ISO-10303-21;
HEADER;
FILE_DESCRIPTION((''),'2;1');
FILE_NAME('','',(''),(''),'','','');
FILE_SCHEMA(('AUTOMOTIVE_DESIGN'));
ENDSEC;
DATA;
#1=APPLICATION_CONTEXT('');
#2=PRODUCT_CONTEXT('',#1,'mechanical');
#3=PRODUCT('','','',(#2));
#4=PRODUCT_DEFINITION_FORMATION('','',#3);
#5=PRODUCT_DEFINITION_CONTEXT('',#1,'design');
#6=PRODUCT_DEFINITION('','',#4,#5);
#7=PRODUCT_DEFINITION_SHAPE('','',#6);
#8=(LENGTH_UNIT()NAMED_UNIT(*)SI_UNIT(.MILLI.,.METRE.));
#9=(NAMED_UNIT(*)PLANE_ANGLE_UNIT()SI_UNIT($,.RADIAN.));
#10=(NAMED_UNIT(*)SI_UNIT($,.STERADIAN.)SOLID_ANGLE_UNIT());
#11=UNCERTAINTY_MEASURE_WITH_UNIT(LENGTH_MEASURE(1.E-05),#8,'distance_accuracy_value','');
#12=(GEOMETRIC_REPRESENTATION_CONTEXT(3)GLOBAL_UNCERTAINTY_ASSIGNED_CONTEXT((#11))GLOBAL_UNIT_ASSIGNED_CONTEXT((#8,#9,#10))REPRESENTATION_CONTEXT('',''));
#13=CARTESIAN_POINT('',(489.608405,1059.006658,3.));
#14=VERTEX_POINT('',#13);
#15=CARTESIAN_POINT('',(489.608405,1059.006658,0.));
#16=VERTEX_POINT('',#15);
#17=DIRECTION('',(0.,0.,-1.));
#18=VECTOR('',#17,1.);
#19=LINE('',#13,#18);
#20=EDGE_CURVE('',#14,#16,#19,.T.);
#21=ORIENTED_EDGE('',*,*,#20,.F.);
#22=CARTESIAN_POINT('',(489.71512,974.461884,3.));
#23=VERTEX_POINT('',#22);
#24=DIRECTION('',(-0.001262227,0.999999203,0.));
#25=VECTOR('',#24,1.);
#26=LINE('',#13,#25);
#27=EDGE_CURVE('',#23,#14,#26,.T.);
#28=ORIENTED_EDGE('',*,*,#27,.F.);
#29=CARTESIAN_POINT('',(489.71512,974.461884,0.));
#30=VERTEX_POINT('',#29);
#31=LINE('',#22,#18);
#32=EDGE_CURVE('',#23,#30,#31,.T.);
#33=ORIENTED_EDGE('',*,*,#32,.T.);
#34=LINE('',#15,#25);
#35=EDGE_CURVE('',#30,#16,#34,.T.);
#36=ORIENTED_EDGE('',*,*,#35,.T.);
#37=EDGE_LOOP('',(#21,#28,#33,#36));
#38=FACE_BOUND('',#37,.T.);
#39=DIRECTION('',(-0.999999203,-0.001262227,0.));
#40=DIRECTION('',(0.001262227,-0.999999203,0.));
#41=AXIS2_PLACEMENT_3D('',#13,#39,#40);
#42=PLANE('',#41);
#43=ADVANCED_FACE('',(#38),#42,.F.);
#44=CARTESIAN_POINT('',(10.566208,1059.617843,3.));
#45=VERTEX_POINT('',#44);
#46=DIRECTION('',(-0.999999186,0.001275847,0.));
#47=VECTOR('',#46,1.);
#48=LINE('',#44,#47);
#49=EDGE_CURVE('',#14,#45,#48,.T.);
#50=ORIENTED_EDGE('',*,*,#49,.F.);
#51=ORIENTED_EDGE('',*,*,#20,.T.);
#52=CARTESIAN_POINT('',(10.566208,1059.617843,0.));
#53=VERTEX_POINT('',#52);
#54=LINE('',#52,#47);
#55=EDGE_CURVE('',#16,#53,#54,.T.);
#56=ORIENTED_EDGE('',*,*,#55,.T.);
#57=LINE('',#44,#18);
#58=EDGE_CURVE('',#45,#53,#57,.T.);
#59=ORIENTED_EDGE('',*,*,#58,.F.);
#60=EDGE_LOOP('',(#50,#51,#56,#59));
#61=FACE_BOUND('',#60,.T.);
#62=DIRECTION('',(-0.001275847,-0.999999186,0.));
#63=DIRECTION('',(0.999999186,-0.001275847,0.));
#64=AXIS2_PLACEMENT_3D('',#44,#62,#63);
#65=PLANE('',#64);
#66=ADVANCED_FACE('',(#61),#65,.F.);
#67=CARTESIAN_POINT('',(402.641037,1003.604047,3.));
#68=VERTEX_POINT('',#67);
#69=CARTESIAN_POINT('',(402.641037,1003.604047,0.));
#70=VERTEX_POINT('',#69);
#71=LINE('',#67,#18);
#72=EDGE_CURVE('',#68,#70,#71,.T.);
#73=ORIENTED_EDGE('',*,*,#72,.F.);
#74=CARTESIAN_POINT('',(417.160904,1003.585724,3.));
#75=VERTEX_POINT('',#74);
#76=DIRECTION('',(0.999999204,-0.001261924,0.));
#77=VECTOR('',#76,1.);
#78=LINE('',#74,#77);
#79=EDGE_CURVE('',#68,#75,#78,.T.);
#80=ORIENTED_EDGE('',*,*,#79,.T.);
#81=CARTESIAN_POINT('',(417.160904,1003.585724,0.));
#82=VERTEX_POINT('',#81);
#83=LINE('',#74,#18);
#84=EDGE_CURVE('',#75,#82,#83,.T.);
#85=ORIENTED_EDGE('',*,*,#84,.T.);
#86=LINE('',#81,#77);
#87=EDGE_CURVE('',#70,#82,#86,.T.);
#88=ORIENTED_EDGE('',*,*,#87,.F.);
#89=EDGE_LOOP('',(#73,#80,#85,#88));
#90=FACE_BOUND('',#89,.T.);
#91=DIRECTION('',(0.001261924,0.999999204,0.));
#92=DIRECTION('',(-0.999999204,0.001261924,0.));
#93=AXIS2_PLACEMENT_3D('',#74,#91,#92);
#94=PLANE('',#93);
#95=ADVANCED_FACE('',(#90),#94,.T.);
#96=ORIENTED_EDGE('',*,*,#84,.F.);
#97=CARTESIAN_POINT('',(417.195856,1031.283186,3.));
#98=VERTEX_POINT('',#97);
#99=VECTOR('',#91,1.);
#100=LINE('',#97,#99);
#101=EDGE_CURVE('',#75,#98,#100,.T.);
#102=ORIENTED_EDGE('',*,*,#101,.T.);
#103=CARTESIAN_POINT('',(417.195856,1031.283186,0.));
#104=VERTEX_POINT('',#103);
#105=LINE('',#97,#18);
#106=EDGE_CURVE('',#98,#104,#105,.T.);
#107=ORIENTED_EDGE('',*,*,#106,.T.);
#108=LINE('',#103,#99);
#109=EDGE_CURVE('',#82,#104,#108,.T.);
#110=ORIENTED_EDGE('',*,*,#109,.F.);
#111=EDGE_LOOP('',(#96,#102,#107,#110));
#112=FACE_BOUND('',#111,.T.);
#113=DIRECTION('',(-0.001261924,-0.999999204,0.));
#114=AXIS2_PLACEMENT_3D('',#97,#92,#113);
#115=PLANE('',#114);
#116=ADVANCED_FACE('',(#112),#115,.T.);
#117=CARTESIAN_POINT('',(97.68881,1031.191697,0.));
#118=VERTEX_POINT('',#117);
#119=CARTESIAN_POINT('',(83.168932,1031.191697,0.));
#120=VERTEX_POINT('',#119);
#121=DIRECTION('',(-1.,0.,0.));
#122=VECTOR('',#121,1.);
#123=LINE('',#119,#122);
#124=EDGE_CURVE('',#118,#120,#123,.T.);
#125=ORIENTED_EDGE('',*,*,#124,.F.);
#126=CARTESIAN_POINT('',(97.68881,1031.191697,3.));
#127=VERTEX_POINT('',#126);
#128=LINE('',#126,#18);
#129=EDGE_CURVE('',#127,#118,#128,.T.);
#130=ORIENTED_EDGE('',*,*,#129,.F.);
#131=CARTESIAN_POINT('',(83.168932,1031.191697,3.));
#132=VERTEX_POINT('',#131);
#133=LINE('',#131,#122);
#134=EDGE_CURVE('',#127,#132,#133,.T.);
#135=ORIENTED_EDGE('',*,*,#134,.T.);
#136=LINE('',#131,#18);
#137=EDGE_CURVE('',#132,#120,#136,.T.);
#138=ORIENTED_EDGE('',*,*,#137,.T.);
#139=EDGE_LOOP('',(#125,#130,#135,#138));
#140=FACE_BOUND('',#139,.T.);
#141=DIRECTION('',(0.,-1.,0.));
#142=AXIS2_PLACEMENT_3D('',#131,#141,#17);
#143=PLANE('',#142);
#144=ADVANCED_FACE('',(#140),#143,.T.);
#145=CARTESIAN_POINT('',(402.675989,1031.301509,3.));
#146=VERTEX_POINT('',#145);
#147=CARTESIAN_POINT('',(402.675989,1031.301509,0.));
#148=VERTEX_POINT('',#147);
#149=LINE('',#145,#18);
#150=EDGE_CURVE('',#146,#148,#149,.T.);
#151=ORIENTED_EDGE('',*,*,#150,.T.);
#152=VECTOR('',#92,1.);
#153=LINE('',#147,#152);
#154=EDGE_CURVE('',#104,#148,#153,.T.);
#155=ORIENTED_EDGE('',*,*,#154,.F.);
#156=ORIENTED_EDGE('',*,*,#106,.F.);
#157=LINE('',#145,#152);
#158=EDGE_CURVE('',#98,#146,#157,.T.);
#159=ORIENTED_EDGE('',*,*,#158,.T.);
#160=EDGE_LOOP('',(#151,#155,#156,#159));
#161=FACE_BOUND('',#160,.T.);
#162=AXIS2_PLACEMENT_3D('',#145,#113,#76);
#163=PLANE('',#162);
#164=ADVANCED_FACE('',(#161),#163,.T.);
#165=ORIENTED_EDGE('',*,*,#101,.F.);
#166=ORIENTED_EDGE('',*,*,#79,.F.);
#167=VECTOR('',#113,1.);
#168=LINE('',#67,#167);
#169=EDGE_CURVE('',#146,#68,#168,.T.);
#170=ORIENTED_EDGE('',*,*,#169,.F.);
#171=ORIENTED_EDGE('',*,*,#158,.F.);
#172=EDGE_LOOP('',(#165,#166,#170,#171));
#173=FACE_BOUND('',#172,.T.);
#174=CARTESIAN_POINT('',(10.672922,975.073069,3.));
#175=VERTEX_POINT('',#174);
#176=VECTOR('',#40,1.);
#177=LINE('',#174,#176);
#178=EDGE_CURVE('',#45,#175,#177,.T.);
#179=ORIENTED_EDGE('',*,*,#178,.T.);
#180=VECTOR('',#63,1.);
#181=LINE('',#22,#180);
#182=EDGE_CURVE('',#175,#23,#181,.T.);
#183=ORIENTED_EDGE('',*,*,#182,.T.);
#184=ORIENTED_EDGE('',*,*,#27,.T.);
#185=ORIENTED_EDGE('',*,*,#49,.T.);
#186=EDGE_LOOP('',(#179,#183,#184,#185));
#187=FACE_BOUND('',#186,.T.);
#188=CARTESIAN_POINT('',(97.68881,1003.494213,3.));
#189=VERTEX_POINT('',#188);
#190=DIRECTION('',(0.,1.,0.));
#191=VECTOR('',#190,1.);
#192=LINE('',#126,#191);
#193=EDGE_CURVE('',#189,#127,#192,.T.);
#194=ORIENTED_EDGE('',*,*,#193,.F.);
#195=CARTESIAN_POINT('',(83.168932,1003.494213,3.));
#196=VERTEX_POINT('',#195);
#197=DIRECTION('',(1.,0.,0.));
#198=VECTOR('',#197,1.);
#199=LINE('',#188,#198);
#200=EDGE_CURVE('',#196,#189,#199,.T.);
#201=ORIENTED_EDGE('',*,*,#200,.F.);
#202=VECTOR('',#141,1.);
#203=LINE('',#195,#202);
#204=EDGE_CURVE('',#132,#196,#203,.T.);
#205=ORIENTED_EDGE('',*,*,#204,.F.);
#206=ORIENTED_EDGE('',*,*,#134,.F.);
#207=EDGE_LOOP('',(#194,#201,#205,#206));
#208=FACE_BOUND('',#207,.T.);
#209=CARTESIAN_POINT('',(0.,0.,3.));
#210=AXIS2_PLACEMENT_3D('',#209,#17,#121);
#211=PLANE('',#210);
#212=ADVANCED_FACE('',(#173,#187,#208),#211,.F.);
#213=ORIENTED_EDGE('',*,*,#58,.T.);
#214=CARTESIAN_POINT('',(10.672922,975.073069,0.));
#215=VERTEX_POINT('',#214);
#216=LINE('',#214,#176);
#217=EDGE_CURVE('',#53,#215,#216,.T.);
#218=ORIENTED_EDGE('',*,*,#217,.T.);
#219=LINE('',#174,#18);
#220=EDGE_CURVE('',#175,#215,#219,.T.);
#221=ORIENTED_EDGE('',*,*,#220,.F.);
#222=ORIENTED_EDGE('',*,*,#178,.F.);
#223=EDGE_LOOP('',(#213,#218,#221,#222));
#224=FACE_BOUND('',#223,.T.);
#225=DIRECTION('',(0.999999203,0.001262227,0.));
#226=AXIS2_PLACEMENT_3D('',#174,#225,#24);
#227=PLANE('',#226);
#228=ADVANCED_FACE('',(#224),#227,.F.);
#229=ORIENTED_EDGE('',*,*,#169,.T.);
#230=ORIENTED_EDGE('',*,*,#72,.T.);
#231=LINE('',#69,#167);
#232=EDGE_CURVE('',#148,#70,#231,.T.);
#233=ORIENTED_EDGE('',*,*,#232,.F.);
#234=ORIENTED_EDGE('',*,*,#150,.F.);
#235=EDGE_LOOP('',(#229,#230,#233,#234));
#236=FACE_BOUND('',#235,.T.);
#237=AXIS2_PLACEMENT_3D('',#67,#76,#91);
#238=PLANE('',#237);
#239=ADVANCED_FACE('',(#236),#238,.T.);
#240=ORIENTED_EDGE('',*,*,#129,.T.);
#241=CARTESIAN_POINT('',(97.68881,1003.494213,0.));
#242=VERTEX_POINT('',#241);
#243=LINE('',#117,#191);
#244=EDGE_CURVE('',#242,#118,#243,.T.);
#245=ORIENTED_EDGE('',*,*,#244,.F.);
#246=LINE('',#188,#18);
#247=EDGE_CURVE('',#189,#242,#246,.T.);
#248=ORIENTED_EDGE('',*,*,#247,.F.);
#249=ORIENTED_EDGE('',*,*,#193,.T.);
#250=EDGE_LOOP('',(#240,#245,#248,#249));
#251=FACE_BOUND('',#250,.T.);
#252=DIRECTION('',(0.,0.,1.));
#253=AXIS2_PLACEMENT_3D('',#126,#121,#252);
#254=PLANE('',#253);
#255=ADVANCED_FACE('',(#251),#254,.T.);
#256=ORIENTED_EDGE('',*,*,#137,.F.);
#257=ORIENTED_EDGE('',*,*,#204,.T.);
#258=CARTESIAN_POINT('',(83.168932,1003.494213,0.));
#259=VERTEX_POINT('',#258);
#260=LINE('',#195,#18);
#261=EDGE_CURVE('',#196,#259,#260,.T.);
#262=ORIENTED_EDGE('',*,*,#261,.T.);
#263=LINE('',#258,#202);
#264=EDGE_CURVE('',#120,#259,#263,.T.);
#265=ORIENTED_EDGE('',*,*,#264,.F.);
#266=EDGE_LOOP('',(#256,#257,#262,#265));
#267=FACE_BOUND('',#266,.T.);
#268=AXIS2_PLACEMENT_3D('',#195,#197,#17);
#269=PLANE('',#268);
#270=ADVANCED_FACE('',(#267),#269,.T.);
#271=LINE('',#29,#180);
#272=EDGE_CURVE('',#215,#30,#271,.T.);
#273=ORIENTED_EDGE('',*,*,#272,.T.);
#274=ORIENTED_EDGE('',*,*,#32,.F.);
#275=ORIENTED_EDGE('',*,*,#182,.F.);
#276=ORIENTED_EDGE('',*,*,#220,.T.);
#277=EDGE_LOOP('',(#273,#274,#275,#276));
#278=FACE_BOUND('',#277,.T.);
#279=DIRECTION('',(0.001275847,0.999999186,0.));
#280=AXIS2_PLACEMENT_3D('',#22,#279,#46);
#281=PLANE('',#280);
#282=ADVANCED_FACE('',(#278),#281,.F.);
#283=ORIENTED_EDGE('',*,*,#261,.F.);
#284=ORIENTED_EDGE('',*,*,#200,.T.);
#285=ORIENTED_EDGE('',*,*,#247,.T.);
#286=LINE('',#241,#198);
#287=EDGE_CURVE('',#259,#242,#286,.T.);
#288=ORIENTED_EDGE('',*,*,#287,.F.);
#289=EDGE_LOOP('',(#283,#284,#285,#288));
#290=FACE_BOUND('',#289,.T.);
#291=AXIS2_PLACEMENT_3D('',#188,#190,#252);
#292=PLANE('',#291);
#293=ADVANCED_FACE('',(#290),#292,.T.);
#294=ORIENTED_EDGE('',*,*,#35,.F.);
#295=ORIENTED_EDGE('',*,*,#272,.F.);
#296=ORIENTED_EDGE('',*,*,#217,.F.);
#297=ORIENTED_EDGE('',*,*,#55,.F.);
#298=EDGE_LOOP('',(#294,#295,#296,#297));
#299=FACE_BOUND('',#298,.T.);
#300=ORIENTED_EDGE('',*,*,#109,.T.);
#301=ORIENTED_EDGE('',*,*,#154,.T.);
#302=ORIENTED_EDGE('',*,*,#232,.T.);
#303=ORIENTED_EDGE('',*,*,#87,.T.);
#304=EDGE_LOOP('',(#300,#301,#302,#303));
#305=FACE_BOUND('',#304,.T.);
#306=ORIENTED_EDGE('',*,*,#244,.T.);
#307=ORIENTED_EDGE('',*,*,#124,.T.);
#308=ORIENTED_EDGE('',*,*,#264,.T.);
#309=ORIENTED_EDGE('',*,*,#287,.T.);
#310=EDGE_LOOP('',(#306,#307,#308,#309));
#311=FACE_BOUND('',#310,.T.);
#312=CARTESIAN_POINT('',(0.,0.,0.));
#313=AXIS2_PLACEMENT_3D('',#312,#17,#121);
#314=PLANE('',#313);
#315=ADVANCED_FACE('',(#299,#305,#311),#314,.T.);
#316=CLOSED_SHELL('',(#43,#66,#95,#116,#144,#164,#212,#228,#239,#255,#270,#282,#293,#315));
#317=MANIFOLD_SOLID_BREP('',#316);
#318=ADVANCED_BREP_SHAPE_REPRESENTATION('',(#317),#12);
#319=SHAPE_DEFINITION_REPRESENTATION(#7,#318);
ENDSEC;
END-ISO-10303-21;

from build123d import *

# Parameters (mm, degrees)
SKETCH1_W           = 14.51987794
SKETCH1_H           = 27.697484205
BOSS_EXTRUDE1_DEPTH = 3


with BuildPart() as part:
    # Sketch1 → Boss-Extrude1 (new body)
    with BuildSketch(Plane.XY):
        Polygon((10.672922398, 975.073069212), (10.566207631, 1059.617843106), (489.608405369, 1059.006658046), (489.715120136, 974.461884152), align=None)
        with Locations((90.428871138, 1017.342955032)):
            Rectangle(SKETCH1_W, SKETCH1_H, mode=Mode.SUBTRACT)
        Polygon((402.675989281, 1031.301508945), (417.19585566, 1031.283185961), (417.160903536, 1003.585723809), (402.641037157, 1003.604046793), align=None, mode=Mode.SUBTRACT)
    extrude(amount=BOSS_EXTRUDE1_DEPTH)


solid = part.part
